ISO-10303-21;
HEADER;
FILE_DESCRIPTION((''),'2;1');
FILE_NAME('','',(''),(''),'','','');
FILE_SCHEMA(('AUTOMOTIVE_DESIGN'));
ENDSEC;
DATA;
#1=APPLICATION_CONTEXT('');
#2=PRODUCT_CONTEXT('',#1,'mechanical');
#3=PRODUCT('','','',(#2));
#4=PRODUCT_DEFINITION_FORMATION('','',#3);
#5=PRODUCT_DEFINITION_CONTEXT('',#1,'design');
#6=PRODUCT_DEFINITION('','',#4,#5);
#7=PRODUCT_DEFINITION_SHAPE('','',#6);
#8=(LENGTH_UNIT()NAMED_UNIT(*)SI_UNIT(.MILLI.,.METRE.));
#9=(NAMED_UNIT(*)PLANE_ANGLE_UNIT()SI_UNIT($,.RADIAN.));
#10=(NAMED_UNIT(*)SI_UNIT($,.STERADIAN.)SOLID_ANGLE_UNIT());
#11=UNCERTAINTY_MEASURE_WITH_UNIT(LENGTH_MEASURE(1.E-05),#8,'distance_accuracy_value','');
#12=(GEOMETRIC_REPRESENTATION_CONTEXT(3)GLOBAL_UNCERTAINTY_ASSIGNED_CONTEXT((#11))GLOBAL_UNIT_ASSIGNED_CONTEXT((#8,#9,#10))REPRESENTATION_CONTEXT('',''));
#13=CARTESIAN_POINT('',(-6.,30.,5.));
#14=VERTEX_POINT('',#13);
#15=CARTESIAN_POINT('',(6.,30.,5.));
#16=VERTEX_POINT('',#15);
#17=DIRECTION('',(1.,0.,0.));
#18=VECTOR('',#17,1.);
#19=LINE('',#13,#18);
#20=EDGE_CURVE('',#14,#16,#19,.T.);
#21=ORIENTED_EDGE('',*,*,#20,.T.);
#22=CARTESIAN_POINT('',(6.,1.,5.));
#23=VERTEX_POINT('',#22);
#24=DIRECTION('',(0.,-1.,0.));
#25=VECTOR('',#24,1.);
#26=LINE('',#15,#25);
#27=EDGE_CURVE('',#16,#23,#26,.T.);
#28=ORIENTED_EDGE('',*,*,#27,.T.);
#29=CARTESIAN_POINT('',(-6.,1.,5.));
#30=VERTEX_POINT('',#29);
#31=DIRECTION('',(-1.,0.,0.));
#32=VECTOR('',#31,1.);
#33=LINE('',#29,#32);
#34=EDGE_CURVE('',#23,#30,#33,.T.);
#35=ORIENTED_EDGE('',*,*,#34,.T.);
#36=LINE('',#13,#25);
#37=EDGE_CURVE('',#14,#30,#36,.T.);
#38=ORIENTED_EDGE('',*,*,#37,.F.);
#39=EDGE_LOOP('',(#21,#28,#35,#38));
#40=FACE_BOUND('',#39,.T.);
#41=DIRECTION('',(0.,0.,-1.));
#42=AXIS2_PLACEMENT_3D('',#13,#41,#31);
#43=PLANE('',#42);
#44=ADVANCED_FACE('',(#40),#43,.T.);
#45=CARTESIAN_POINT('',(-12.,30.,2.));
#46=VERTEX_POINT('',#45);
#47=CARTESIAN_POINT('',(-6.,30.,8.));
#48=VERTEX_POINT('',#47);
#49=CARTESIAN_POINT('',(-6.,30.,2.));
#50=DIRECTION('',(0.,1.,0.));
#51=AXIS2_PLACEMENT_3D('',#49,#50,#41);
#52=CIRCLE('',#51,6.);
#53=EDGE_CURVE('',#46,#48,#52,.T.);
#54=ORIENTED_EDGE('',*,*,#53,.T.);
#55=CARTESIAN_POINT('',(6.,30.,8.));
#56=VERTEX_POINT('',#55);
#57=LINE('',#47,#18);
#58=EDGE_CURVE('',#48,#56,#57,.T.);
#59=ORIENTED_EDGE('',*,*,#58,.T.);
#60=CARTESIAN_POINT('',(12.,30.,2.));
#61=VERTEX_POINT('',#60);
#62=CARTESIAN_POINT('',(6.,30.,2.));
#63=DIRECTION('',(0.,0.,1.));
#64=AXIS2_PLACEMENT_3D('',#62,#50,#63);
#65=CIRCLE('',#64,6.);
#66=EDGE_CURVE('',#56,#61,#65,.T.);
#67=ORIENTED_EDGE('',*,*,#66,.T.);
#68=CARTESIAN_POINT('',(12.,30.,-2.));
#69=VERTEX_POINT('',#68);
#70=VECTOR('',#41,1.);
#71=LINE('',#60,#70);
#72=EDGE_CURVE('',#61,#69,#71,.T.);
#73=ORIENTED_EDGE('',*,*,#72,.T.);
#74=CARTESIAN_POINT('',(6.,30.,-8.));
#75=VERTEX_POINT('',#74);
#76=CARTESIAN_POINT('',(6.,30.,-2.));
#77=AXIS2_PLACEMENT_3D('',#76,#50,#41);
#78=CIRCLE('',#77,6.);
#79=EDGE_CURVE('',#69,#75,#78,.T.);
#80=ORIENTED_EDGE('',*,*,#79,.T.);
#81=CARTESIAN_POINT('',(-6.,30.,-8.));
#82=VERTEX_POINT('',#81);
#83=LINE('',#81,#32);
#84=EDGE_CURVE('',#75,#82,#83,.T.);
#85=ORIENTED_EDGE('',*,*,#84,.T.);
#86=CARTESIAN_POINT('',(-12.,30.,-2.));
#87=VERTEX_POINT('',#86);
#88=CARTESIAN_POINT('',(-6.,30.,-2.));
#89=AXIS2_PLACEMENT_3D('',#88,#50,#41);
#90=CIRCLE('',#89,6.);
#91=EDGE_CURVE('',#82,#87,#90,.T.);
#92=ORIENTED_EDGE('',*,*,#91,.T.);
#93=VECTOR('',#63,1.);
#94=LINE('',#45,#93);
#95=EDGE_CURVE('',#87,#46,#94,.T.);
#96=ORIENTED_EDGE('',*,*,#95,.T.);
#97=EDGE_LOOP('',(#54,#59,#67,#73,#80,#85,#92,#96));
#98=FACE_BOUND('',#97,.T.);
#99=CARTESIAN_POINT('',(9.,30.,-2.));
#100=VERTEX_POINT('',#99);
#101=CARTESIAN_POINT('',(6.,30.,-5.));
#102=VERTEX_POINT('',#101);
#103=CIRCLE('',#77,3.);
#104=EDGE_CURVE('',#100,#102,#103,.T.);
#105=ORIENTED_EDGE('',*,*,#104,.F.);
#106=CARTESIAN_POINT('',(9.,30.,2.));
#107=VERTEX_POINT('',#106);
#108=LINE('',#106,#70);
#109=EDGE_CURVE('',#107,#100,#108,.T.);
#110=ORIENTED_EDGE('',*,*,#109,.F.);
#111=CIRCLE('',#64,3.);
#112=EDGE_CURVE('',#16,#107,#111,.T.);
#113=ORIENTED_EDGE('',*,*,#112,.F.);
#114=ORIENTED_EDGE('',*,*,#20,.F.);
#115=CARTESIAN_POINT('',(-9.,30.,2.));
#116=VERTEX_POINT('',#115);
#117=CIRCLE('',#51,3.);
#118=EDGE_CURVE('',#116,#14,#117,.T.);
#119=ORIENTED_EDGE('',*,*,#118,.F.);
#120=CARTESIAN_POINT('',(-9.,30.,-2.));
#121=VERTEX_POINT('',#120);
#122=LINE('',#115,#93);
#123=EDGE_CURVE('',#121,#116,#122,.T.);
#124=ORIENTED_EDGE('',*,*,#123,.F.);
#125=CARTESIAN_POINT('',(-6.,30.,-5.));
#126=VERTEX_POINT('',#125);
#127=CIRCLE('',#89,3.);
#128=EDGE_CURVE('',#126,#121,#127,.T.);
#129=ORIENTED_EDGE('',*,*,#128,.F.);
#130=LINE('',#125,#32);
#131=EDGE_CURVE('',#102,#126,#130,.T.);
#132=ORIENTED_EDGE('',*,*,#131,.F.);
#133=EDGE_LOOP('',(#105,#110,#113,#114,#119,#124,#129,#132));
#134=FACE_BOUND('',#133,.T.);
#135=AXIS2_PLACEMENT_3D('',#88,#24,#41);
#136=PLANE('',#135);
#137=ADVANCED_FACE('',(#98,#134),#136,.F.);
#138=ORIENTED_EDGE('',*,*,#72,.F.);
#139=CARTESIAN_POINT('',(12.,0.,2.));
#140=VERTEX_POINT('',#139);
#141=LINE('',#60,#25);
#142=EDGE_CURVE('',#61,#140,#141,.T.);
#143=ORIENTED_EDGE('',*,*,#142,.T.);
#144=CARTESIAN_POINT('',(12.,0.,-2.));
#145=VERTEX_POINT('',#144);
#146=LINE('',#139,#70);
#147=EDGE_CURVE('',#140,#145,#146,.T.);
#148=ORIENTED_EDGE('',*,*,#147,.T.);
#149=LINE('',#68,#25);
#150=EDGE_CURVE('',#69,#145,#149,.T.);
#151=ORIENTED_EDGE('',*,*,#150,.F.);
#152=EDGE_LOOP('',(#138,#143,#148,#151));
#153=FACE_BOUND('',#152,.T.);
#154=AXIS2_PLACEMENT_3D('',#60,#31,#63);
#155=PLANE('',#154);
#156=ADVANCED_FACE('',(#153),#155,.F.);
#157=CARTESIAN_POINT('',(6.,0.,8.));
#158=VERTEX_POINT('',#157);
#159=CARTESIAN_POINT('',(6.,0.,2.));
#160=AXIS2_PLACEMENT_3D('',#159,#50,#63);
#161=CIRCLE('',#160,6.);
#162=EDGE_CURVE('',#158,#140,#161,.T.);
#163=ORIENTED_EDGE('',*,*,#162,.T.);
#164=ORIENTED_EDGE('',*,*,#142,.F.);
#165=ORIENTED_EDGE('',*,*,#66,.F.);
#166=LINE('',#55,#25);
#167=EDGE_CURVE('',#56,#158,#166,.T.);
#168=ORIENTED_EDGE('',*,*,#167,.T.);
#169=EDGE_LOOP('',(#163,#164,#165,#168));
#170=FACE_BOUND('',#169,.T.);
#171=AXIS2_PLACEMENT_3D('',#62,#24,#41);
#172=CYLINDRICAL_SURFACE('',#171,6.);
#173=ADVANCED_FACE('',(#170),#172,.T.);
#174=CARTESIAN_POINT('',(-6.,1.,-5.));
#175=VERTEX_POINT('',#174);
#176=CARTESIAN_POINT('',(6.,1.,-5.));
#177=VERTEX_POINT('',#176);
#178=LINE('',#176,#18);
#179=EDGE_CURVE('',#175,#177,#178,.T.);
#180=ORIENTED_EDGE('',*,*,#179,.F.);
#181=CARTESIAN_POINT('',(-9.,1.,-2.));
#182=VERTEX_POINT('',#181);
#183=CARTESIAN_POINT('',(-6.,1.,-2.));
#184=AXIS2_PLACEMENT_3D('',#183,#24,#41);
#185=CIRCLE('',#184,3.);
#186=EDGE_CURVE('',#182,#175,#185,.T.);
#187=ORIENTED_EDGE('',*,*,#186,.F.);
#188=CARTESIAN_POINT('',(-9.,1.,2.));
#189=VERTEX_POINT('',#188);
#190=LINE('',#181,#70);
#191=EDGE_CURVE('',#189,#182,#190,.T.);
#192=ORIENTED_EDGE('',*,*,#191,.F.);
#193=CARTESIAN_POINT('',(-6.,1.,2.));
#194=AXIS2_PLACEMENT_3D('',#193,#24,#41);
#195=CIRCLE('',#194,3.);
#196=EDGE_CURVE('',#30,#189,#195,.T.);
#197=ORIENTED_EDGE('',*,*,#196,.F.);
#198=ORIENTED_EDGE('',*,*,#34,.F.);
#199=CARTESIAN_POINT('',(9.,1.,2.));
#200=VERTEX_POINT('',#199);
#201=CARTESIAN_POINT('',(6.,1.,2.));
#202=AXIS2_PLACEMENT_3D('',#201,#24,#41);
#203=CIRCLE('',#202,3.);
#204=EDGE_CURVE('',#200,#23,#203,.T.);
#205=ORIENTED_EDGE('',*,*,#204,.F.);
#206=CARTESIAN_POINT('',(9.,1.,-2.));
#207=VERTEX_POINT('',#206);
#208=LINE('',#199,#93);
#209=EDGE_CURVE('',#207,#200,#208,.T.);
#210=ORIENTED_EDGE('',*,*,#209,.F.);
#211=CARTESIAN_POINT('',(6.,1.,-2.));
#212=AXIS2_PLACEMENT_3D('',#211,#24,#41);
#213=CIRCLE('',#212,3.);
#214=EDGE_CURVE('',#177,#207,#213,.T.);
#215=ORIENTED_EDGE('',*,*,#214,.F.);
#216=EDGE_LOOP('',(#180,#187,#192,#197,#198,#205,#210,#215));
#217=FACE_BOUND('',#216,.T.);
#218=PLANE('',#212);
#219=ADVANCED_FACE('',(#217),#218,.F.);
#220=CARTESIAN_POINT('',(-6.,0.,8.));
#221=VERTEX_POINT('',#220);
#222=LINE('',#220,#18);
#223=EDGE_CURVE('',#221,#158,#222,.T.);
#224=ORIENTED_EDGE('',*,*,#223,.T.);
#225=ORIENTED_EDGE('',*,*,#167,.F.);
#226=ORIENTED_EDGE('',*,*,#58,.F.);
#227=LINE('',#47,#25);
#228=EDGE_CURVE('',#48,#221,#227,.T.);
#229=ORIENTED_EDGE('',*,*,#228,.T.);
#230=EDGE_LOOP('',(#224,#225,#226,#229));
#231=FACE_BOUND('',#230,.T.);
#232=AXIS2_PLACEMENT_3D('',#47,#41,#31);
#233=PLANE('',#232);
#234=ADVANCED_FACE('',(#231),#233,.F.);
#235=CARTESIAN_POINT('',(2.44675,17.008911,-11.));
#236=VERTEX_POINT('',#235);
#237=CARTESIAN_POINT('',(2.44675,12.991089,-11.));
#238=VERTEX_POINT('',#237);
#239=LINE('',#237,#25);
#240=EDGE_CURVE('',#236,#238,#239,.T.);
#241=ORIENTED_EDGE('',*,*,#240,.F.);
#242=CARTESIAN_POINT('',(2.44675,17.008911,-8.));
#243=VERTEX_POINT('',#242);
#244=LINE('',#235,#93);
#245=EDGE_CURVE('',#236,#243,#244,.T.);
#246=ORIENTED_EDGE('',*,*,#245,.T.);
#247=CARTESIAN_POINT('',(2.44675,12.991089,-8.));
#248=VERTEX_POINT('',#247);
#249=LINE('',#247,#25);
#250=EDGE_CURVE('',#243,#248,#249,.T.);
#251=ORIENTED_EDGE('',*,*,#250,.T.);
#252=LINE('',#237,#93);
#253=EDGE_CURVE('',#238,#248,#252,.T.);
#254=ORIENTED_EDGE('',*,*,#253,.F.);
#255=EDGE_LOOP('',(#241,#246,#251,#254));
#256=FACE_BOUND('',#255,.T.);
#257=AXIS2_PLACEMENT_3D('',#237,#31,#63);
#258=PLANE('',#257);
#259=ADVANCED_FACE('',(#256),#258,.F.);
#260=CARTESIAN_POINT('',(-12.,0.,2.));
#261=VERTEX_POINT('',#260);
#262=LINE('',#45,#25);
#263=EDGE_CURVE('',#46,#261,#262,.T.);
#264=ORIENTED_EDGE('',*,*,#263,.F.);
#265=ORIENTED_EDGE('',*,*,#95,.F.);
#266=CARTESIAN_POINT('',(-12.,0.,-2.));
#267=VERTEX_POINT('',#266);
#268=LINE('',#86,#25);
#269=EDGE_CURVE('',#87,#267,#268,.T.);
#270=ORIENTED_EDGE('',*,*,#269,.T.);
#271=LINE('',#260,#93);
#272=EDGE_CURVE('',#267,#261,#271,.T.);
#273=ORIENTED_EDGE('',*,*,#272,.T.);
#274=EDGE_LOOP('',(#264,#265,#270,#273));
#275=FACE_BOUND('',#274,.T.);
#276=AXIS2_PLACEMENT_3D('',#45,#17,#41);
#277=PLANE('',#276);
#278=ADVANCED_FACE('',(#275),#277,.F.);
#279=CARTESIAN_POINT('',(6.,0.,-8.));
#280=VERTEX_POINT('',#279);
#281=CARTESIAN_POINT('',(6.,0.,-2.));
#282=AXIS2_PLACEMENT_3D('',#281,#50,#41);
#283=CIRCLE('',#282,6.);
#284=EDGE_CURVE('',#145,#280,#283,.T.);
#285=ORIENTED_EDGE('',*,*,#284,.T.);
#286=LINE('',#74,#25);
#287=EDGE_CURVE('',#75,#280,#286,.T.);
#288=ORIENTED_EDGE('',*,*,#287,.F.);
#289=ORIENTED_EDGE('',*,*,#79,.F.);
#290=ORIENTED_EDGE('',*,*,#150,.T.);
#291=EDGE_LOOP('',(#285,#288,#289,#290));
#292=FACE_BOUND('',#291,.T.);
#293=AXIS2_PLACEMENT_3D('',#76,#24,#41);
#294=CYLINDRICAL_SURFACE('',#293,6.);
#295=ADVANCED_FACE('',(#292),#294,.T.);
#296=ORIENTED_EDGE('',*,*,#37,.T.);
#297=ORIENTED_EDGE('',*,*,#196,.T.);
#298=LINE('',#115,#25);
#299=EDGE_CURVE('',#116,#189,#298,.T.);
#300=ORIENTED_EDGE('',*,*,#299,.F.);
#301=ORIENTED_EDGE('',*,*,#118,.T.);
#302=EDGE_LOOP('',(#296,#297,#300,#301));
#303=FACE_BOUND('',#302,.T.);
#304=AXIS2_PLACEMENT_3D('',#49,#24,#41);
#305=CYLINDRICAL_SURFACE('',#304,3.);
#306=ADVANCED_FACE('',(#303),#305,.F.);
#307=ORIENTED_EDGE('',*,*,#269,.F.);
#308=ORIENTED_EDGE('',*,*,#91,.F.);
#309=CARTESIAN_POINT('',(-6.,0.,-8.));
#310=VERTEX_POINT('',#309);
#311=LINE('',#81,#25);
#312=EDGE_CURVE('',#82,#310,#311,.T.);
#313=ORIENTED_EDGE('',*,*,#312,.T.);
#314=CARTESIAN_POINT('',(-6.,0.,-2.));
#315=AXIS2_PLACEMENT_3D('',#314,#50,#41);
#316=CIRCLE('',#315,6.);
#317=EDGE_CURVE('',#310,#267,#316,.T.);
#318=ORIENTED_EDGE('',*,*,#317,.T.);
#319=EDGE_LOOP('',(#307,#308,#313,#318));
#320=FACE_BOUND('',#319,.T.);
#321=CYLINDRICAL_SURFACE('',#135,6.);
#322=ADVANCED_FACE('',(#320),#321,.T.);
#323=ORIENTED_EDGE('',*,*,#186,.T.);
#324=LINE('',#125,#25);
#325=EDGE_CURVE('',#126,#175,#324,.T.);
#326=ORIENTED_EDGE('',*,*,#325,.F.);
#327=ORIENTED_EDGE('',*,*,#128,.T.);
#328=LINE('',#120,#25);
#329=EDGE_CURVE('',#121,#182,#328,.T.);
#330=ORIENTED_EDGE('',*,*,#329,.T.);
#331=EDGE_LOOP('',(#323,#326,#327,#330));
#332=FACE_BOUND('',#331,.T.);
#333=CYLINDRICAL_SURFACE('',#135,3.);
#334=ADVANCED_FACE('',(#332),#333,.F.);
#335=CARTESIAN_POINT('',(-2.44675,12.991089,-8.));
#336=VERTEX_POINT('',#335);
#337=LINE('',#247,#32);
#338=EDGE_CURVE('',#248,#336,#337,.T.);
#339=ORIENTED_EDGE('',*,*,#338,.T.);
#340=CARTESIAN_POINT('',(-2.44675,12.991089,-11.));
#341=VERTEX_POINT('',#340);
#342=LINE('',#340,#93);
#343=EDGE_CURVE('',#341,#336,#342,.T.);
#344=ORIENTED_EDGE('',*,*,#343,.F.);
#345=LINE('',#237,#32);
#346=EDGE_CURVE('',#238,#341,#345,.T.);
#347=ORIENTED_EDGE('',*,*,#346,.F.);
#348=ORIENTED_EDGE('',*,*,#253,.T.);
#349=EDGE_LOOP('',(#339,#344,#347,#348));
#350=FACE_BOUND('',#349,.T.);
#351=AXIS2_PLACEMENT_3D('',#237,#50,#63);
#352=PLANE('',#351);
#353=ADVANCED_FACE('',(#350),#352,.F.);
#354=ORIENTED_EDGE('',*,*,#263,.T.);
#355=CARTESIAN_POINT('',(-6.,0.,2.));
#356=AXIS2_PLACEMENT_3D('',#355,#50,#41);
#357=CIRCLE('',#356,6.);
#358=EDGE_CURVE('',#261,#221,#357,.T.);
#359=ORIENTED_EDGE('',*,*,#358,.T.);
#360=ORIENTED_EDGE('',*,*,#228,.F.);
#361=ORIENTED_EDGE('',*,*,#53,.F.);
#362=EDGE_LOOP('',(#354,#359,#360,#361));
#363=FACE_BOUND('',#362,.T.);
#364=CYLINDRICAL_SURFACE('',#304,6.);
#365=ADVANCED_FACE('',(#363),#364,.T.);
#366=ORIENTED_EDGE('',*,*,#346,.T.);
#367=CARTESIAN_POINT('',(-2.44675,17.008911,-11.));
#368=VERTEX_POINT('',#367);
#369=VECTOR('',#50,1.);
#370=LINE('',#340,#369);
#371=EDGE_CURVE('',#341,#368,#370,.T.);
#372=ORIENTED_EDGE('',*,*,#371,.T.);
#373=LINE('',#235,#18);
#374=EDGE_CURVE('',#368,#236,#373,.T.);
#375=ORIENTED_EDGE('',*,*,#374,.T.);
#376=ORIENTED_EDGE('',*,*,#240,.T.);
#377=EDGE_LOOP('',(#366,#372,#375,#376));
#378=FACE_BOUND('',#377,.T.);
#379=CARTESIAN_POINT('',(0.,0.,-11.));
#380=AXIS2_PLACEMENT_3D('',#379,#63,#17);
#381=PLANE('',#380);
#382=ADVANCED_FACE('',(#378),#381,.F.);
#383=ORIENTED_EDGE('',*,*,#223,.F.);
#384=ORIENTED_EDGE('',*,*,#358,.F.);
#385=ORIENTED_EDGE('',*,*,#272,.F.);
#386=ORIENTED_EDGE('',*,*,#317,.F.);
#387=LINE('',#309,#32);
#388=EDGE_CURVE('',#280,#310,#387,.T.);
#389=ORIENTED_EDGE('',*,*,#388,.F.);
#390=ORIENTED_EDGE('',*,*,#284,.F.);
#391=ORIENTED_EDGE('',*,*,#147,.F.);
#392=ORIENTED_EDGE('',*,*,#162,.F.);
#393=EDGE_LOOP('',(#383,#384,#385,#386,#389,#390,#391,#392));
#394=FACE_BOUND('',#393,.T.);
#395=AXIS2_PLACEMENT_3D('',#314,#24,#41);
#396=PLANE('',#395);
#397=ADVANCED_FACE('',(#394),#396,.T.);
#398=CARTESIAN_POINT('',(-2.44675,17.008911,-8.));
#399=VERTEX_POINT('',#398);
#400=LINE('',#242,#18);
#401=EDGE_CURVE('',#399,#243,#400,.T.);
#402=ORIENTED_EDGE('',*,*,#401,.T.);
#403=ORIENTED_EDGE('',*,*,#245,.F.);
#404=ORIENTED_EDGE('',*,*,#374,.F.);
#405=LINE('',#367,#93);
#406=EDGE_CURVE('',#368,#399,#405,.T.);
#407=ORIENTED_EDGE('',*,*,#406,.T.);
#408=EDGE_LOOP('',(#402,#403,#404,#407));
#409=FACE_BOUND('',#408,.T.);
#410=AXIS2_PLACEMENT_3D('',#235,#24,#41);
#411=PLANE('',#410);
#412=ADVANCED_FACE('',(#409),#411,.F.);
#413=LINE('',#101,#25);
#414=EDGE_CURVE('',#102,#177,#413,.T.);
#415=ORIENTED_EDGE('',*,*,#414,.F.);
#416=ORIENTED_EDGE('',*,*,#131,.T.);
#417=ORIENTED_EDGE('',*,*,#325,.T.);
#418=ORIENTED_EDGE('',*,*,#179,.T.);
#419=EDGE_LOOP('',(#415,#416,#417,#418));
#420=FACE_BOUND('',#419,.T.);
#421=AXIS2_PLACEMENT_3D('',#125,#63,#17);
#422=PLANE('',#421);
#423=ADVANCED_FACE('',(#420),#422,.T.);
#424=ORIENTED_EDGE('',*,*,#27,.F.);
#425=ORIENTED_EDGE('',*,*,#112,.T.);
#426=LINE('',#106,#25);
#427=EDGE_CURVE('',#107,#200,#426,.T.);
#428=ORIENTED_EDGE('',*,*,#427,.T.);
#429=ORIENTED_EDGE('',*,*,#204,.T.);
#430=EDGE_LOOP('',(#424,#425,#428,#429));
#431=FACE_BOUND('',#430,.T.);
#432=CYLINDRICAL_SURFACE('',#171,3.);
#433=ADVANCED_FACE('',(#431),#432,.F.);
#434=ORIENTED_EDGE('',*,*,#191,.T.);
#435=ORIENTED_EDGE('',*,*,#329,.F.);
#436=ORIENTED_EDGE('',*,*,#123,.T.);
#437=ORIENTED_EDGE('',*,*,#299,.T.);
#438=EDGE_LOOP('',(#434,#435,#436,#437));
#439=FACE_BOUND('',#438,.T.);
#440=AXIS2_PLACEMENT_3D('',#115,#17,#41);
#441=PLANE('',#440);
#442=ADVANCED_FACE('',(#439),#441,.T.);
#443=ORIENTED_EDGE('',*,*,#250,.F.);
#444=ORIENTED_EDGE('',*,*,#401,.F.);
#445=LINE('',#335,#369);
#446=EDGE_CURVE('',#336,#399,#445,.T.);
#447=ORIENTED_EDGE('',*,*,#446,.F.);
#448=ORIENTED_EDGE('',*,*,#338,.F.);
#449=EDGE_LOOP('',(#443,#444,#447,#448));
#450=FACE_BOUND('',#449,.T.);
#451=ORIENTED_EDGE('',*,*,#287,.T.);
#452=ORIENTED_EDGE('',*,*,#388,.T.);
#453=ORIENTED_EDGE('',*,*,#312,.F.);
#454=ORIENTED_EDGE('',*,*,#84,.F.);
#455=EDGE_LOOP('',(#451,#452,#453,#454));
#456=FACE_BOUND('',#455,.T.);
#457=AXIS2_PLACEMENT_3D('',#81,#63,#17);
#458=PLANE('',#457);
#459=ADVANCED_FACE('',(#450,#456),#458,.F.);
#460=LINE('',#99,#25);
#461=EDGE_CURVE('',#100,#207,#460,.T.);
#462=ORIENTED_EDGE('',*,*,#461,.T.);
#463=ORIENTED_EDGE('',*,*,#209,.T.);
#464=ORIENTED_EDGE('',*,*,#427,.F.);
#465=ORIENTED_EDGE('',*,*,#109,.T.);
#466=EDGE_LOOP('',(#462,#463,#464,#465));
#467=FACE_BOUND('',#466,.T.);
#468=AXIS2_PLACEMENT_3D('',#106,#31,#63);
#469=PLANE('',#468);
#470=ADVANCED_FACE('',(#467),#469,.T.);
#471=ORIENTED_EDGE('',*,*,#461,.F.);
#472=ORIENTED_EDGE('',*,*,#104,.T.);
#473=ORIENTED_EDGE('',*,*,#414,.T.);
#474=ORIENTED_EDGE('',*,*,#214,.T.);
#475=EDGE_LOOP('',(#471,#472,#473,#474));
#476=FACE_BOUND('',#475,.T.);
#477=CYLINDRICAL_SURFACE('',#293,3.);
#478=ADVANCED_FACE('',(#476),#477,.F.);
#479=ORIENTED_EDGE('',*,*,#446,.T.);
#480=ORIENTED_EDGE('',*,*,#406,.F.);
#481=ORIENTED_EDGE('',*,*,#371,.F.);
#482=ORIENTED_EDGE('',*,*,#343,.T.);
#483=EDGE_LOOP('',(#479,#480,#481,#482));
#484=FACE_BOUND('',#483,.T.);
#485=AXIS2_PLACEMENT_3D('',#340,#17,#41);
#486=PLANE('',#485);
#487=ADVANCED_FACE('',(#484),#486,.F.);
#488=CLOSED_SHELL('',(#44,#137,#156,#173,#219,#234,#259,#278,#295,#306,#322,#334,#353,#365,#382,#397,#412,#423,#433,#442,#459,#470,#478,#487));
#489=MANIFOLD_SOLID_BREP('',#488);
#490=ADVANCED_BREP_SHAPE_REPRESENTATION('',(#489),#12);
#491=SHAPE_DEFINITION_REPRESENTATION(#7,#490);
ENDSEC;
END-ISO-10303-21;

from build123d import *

# Parameters (mm, degrees)
SALIENTE_EXTRUIR1_DEPTH = 30
CROQUIS3_W              = 4.89350096
CROQUIS3_H              = 4.01782184
SALIENTE_EXTRUIR2_DEPTH = 3
SALIENTE_EXTRUIR3_DEPTH = 1


with BuildPart() as part:
    # Croquis1 → Saliente-Extruir1 (new body)
    with BuildSketch(Plane(origin=(0, 0, 0), x_dir=(1, 0, 0), z_dir=(0, 1, 0))):
        with BuildLine():
            Line((-6, 8), (6, 8))
            ThreePointArc((6, 8), (10.242640687, 6.242640687), (12, 2))
            Line((12, 2), (12, -2))
            ThreePointArc((12, -2), (10.242640687, -6.242640687), (6, -8))
            Line((6, -8), (-6, -8))
            ThreePointArc((-6, -8), (-10.242640687, -6.242640687), (-12, -2))
            Line((-12, -2), (-12, 2))
            ThreePointArc((-12, 2), (-10.242640687, 6.242640687), (-6, 8))
        make_face()
        with BuildLine():
            Line((-6, -5), (6, -5))
            ThreePointArc((6, -5), (8.121320344, -4.121320344), (9, -2))
            Line((9, -2), (9, 2))
            ThreePointArc((9, 2), (8.121320344, 4.121320344), (6, 5))
            Line((6, 5), (-6, 5))
            ThreePointArc((-6, 5), (-8.121320344, 4.121320344), (-9, 2))
            Line((-9, 2), (-9, -2))
            ThreePointArc((-9, -2), (-8.121320344, -4.121320344), (-6, -5))
        make_face(mode=Mode.SUBTRACT)
    extrude(amount=SALIENTE_EXTRUIR1_DEPTH)

    # Croquis3 → Saliente-Extruir2 (add)
    with BuildSketch(Plane(origin=(0, 0, -8), x_dir=(-1, 0, 0), z_dir=(0, 0, -1))):
        with Locations((0, 15)):
            Rectangle(CROQUIS3_W, CROQUIS3_H)
    extrude(amount=SALIENTE_EXTRUIR2_DEPTH)

    # Croquis5 → Saliente-Extruir3 (add)
    with BuildSketch(Plane.XZ):
        with BuildLine():
            Line((6, -5), (-6, -5))
            ThreePointArc((-6, -5), (-8.121320344, -4.121320344), (-9, -2))
            Line((-9, -2), (-9, 2))
            ThreePointArc((-9, 2), (-8.121320344, 4.121320344), (-6, 5))
            Line((-6, 5), (6, 5))
            ThreePointArc((6, 5), (8.121320344, 4.121320344), (9, 2))
            Line((9, 2), (9, -2))
            ThreePointArc((9, -2), (8.121320344, -4.121320344), (6, -5))
        make_face()
    extrude(amount=-SALIENTE_EXTRUIR3_DEPTH)


solid = part.part
